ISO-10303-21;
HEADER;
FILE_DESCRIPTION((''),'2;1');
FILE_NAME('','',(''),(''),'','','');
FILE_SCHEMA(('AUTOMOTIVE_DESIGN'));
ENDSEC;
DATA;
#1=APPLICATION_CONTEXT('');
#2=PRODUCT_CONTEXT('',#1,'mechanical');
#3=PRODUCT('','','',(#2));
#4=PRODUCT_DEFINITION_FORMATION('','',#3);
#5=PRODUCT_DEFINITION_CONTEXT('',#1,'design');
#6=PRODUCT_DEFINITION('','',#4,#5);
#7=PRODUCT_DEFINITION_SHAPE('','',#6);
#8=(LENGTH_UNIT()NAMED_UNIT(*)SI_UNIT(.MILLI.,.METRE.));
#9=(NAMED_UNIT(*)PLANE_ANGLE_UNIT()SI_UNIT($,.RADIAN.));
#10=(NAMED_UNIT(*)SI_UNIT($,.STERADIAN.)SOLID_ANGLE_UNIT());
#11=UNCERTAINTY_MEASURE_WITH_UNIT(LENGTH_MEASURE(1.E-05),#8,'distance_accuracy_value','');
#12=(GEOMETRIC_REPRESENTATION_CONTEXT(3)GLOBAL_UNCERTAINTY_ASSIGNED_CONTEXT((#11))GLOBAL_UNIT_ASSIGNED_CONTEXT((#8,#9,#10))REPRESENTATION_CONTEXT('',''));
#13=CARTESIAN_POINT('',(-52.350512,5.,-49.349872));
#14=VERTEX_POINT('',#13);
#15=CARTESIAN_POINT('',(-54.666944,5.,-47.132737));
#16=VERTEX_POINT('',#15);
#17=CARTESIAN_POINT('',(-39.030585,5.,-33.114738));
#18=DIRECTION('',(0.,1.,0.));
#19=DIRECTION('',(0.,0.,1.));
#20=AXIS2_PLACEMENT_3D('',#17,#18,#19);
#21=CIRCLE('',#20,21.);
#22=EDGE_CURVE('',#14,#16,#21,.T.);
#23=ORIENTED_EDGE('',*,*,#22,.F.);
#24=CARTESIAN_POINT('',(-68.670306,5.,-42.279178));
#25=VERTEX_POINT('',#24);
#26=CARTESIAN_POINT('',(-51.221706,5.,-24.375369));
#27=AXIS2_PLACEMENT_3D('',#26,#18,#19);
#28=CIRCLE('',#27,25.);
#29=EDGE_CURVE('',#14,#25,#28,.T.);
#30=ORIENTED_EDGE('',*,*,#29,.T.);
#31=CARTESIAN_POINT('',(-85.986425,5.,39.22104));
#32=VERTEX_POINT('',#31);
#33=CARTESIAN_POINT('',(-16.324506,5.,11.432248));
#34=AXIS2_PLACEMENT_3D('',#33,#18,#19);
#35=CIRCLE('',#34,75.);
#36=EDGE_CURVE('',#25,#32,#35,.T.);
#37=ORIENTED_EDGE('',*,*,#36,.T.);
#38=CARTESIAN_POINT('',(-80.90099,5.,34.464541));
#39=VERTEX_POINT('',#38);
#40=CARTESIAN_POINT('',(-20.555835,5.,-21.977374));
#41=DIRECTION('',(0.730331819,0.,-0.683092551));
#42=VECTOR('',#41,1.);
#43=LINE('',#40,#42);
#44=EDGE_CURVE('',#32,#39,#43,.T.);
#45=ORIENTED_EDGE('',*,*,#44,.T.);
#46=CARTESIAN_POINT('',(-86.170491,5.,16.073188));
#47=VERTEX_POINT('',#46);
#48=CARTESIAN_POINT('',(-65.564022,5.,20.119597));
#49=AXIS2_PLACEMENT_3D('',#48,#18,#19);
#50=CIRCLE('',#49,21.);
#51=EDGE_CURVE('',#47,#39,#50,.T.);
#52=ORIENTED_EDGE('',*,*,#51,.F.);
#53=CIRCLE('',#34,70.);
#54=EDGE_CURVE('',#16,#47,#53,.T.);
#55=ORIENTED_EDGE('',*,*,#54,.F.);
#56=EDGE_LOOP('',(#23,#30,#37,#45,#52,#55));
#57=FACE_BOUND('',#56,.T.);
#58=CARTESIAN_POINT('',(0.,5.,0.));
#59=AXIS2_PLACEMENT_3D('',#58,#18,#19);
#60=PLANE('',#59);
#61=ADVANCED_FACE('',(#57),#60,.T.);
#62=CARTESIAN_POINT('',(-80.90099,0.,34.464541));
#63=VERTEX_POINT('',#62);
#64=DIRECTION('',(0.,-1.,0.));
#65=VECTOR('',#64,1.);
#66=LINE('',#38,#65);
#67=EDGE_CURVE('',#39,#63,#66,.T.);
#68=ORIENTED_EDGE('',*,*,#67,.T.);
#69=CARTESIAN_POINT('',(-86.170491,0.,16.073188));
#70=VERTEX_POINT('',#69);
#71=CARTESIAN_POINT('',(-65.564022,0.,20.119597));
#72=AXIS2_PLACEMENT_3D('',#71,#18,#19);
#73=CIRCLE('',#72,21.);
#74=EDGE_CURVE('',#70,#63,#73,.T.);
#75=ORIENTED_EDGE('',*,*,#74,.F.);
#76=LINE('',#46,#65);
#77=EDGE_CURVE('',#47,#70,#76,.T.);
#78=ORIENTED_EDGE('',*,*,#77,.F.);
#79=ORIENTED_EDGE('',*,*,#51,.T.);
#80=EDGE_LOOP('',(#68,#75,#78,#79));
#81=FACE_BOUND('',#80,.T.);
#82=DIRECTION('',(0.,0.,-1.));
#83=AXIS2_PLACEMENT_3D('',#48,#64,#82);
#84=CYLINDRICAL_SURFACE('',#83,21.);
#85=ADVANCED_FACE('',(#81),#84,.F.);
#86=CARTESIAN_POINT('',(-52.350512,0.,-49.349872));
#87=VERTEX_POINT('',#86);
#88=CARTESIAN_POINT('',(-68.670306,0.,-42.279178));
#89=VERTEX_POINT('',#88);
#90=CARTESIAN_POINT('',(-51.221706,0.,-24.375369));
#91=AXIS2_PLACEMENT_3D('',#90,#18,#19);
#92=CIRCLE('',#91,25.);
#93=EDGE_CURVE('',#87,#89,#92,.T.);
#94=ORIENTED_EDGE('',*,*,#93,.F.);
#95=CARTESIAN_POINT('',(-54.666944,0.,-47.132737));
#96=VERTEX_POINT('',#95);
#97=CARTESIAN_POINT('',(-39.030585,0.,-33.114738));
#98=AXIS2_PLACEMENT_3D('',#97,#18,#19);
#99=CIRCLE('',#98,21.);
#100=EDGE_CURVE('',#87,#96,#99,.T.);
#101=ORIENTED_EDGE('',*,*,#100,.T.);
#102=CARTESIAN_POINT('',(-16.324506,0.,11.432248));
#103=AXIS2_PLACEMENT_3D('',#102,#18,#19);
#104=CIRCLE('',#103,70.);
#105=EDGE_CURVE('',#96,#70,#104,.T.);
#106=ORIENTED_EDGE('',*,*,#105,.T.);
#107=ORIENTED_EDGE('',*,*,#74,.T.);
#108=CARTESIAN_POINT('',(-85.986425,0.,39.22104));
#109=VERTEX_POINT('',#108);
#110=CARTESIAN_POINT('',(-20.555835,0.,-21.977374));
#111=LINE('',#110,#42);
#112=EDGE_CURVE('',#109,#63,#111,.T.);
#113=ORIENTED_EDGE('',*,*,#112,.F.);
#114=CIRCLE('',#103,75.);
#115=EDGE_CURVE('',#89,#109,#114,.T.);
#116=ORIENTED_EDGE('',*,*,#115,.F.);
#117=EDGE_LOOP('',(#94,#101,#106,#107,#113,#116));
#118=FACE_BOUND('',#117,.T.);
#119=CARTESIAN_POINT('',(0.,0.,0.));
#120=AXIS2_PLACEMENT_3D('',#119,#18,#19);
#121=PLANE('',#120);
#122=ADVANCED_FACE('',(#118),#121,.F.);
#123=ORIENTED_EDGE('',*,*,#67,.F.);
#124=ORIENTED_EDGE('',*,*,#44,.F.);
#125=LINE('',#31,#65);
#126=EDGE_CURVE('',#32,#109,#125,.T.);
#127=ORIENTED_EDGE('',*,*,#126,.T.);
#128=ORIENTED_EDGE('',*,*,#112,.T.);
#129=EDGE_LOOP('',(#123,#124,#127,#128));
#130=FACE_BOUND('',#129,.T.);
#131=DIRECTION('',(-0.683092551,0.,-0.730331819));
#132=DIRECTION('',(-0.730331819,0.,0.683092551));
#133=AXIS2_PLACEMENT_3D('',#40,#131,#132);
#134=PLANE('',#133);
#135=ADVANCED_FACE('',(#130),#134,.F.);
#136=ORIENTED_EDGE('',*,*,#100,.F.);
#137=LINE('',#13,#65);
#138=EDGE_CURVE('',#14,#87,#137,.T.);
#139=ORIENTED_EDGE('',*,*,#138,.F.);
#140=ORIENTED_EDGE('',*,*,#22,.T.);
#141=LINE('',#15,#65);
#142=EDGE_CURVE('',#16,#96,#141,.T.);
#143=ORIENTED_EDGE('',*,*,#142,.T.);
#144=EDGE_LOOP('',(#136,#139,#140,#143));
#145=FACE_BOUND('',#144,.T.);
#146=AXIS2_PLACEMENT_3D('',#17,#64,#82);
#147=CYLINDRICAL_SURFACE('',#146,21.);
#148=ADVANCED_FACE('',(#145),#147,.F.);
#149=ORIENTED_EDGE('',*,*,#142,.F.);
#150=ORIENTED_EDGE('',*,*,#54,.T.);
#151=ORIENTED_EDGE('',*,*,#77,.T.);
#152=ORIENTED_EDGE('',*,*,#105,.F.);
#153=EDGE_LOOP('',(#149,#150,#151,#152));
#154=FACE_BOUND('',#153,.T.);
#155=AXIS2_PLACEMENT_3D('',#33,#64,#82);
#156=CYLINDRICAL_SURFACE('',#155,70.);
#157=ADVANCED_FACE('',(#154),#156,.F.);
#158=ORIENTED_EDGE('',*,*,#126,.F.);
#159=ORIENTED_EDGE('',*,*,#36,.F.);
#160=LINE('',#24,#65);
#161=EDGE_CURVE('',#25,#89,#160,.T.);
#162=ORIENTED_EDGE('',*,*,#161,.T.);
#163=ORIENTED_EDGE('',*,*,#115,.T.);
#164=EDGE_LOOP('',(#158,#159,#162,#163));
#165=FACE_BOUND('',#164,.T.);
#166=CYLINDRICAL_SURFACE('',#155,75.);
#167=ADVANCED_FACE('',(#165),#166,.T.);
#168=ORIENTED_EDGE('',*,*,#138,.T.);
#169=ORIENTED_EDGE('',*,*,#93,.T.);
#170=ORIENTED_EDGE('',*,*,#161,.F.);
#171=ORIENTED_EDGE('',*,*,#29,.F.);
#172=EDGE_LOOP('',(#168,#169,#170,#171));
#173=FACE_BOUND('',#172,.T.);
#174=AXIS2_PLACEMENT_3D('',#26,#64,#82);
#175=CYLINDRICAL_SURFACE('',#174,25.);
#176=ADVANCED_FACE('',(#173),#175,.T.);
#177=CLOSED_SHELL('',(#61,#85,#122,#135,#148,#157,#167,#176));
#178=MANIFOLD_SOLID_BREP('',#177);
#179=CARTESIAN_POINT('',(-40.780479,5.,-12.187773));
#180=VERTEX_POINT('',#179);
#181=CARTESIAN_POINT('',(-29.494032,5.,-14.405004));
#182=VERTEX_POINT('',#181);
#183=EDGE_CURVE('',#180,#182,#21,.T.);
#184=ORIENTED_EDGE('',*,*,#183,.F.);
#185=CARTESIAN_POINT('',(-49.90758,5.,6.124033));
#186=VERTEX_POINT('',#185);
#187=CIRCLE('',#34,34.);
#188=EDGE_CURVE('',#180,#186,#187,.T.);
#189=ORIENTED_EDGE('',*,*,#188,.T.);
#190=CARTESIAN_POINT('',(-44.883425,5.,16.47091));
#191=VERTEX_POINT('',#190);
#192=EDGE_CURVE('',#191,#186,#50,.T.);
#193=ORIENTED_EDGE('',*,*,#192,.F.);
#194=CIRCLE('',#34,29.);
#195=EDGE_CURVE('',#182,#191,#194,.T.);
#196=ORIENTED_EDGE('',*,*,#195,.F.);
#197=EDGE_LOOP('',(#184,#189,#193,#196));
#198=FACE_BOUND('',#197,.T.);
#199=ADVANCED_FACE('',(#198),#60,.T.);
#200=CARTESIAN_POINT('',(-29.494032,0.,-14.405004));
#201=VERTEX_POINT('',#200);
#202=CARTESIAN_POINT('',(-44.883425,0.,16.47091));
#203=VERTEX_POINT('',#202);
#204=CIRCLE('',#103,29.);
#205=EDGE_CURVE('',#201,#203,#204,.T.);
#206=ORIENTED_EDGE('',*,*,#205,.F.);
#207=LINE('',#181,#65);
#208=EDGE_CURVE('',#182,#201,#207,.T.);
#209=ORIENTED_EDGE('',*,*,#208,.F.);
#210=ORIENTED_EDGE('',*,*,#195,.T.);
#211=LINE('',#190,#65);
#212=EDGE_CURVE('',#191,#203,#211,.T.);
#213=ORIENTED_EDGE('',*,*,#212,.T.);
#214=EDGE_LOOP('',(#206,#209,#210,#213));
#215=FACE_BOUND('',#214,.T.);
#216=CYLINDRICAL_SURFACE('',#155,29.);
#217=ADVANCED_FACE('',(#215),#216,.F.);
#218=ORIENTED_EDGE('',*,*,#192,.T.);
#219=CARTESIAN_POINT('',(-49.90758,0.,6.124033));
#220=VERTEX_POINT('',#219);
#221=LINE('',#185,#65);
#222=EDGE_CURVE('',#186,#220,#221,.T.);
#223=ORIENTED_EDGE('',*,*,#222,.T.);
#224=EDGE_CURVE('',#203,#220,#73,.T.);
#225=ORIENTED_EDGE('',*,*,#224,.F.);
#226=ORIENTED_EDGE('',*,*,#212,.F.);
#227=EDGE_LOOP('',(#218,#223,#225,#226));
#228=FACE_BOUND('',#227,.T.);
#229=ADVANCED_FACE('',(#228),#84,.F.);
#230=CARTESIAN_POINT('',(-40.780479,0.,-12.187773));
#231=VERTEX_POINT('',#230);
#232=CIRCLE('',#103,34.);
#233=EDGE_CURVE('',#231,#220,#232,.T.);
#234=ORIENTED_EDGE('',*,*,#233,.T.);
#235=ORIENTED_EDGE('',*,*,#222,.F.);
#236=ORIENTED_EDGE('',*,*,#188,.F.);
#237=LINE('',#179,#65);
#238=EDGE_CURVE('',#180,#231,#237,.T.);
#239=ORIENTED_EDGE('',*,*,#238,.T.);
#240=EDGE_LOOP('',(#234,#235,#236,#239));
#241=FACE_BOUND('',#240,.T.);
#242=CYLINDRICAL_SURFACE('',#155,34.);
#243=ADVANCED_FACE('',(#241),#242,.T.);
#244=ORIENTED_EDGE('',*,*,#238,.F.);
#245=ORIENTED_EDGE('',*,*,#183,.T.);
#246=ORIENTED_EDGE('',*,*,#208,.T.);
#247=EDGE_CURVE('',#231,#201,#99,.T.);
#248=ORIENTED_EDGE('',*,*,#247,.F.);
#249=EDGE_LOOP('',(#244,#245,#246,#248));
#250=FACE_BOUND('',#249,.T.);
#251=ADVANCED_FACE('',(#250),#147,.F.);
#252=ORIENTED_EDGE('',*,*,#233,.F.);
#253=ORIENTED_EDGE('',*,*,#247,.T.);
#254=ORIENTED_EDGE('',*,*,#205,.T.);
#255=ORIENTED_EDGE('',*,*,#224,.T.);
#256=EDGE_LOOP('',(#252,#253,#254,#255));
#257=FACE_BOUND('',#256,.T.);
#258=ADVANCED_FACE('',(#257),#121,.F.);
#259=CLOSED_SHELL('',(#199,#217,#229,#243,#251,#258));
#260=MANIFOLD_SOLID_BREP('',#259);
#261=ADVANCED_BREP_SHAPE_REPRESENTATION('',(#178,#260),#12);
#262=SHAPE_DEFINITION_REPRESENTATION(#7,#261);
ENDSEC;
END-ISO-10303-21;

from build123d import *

# Parameters (mm, degrees)
BOSS_EXTRU_1_DEPTH   = 5
BOSS_EXTRU_1_2_DEPTH = 5


with BuildPart() as part:
    # Esquisse1 → Boss.-Extru.1 (new body)
    with BuildSketch(Plane(origin=(0, 0, 0), x_dir=(1, 0, 0), z_dir=(0, 1, 0))):
        with BuildLine():
            ThreePointArc((-68.670306383, 42.279177512), (-89.686909751, 4.154853404), (-85.986425434, -39.22103992))
            Line((-85.986425434, -39.22103992), (-80.900990435, -34.464540644))
            ThreePointArc((-80.900990435, -34.464540644), (-85.751719928, -25.903787737), (-86.17049139, -16.073187685))
            ThreePointArc((-86.17049139, -16.073187685), (-78.973775537, 19.793847734), (-54.666943907, 47.13273734))
            ThreePointArc((-54.666943907, 47.13273734), (-53.551106318, 48.285581279), (-52.350511604, 49.349872124))
            ThreePointArc((-52.350511604, 49.349872124), (-61.160452612, 47.314883556), (-68.670306383, 42.279177512))
        make_face()
    extrude(amount=BOSS_EXTRU_1_DEPTH)


with BuildPart() as body_2:
    # Esquisse1 → Boss.-Extru.1 2 (new body)
    with BuildSketch(Plane(origin=(0, 0, 0), x_dir=(1, 0, 0), z_dir=(0, 1, 0))):
        with BuildLine():
            ThreePointArc((-40.780479115, 12.187773174), (-46.754151205, 3.734713014), (-49.907579974, -6.124032915))
            ThreePointArc((-49.907579974, -6.124032915), (-46.673295144, -10.946787783), (-44.883425416, -16.470910269))
            ThreePointArc((-44.883425416, -16.470910269), (-42.279203381, 1.504277637), (-29.4940321, 14.405004281))
            ThreePointArc((-29.4940321, 14.405004281), (-34.982493838, 12.508599622), (-40.780479115, 12.187773174))
        make_face()
    extrude(amount=BOSS_EXTRU_1_2_DEPTH)


solid = Compound([part.part, body_2.part])
